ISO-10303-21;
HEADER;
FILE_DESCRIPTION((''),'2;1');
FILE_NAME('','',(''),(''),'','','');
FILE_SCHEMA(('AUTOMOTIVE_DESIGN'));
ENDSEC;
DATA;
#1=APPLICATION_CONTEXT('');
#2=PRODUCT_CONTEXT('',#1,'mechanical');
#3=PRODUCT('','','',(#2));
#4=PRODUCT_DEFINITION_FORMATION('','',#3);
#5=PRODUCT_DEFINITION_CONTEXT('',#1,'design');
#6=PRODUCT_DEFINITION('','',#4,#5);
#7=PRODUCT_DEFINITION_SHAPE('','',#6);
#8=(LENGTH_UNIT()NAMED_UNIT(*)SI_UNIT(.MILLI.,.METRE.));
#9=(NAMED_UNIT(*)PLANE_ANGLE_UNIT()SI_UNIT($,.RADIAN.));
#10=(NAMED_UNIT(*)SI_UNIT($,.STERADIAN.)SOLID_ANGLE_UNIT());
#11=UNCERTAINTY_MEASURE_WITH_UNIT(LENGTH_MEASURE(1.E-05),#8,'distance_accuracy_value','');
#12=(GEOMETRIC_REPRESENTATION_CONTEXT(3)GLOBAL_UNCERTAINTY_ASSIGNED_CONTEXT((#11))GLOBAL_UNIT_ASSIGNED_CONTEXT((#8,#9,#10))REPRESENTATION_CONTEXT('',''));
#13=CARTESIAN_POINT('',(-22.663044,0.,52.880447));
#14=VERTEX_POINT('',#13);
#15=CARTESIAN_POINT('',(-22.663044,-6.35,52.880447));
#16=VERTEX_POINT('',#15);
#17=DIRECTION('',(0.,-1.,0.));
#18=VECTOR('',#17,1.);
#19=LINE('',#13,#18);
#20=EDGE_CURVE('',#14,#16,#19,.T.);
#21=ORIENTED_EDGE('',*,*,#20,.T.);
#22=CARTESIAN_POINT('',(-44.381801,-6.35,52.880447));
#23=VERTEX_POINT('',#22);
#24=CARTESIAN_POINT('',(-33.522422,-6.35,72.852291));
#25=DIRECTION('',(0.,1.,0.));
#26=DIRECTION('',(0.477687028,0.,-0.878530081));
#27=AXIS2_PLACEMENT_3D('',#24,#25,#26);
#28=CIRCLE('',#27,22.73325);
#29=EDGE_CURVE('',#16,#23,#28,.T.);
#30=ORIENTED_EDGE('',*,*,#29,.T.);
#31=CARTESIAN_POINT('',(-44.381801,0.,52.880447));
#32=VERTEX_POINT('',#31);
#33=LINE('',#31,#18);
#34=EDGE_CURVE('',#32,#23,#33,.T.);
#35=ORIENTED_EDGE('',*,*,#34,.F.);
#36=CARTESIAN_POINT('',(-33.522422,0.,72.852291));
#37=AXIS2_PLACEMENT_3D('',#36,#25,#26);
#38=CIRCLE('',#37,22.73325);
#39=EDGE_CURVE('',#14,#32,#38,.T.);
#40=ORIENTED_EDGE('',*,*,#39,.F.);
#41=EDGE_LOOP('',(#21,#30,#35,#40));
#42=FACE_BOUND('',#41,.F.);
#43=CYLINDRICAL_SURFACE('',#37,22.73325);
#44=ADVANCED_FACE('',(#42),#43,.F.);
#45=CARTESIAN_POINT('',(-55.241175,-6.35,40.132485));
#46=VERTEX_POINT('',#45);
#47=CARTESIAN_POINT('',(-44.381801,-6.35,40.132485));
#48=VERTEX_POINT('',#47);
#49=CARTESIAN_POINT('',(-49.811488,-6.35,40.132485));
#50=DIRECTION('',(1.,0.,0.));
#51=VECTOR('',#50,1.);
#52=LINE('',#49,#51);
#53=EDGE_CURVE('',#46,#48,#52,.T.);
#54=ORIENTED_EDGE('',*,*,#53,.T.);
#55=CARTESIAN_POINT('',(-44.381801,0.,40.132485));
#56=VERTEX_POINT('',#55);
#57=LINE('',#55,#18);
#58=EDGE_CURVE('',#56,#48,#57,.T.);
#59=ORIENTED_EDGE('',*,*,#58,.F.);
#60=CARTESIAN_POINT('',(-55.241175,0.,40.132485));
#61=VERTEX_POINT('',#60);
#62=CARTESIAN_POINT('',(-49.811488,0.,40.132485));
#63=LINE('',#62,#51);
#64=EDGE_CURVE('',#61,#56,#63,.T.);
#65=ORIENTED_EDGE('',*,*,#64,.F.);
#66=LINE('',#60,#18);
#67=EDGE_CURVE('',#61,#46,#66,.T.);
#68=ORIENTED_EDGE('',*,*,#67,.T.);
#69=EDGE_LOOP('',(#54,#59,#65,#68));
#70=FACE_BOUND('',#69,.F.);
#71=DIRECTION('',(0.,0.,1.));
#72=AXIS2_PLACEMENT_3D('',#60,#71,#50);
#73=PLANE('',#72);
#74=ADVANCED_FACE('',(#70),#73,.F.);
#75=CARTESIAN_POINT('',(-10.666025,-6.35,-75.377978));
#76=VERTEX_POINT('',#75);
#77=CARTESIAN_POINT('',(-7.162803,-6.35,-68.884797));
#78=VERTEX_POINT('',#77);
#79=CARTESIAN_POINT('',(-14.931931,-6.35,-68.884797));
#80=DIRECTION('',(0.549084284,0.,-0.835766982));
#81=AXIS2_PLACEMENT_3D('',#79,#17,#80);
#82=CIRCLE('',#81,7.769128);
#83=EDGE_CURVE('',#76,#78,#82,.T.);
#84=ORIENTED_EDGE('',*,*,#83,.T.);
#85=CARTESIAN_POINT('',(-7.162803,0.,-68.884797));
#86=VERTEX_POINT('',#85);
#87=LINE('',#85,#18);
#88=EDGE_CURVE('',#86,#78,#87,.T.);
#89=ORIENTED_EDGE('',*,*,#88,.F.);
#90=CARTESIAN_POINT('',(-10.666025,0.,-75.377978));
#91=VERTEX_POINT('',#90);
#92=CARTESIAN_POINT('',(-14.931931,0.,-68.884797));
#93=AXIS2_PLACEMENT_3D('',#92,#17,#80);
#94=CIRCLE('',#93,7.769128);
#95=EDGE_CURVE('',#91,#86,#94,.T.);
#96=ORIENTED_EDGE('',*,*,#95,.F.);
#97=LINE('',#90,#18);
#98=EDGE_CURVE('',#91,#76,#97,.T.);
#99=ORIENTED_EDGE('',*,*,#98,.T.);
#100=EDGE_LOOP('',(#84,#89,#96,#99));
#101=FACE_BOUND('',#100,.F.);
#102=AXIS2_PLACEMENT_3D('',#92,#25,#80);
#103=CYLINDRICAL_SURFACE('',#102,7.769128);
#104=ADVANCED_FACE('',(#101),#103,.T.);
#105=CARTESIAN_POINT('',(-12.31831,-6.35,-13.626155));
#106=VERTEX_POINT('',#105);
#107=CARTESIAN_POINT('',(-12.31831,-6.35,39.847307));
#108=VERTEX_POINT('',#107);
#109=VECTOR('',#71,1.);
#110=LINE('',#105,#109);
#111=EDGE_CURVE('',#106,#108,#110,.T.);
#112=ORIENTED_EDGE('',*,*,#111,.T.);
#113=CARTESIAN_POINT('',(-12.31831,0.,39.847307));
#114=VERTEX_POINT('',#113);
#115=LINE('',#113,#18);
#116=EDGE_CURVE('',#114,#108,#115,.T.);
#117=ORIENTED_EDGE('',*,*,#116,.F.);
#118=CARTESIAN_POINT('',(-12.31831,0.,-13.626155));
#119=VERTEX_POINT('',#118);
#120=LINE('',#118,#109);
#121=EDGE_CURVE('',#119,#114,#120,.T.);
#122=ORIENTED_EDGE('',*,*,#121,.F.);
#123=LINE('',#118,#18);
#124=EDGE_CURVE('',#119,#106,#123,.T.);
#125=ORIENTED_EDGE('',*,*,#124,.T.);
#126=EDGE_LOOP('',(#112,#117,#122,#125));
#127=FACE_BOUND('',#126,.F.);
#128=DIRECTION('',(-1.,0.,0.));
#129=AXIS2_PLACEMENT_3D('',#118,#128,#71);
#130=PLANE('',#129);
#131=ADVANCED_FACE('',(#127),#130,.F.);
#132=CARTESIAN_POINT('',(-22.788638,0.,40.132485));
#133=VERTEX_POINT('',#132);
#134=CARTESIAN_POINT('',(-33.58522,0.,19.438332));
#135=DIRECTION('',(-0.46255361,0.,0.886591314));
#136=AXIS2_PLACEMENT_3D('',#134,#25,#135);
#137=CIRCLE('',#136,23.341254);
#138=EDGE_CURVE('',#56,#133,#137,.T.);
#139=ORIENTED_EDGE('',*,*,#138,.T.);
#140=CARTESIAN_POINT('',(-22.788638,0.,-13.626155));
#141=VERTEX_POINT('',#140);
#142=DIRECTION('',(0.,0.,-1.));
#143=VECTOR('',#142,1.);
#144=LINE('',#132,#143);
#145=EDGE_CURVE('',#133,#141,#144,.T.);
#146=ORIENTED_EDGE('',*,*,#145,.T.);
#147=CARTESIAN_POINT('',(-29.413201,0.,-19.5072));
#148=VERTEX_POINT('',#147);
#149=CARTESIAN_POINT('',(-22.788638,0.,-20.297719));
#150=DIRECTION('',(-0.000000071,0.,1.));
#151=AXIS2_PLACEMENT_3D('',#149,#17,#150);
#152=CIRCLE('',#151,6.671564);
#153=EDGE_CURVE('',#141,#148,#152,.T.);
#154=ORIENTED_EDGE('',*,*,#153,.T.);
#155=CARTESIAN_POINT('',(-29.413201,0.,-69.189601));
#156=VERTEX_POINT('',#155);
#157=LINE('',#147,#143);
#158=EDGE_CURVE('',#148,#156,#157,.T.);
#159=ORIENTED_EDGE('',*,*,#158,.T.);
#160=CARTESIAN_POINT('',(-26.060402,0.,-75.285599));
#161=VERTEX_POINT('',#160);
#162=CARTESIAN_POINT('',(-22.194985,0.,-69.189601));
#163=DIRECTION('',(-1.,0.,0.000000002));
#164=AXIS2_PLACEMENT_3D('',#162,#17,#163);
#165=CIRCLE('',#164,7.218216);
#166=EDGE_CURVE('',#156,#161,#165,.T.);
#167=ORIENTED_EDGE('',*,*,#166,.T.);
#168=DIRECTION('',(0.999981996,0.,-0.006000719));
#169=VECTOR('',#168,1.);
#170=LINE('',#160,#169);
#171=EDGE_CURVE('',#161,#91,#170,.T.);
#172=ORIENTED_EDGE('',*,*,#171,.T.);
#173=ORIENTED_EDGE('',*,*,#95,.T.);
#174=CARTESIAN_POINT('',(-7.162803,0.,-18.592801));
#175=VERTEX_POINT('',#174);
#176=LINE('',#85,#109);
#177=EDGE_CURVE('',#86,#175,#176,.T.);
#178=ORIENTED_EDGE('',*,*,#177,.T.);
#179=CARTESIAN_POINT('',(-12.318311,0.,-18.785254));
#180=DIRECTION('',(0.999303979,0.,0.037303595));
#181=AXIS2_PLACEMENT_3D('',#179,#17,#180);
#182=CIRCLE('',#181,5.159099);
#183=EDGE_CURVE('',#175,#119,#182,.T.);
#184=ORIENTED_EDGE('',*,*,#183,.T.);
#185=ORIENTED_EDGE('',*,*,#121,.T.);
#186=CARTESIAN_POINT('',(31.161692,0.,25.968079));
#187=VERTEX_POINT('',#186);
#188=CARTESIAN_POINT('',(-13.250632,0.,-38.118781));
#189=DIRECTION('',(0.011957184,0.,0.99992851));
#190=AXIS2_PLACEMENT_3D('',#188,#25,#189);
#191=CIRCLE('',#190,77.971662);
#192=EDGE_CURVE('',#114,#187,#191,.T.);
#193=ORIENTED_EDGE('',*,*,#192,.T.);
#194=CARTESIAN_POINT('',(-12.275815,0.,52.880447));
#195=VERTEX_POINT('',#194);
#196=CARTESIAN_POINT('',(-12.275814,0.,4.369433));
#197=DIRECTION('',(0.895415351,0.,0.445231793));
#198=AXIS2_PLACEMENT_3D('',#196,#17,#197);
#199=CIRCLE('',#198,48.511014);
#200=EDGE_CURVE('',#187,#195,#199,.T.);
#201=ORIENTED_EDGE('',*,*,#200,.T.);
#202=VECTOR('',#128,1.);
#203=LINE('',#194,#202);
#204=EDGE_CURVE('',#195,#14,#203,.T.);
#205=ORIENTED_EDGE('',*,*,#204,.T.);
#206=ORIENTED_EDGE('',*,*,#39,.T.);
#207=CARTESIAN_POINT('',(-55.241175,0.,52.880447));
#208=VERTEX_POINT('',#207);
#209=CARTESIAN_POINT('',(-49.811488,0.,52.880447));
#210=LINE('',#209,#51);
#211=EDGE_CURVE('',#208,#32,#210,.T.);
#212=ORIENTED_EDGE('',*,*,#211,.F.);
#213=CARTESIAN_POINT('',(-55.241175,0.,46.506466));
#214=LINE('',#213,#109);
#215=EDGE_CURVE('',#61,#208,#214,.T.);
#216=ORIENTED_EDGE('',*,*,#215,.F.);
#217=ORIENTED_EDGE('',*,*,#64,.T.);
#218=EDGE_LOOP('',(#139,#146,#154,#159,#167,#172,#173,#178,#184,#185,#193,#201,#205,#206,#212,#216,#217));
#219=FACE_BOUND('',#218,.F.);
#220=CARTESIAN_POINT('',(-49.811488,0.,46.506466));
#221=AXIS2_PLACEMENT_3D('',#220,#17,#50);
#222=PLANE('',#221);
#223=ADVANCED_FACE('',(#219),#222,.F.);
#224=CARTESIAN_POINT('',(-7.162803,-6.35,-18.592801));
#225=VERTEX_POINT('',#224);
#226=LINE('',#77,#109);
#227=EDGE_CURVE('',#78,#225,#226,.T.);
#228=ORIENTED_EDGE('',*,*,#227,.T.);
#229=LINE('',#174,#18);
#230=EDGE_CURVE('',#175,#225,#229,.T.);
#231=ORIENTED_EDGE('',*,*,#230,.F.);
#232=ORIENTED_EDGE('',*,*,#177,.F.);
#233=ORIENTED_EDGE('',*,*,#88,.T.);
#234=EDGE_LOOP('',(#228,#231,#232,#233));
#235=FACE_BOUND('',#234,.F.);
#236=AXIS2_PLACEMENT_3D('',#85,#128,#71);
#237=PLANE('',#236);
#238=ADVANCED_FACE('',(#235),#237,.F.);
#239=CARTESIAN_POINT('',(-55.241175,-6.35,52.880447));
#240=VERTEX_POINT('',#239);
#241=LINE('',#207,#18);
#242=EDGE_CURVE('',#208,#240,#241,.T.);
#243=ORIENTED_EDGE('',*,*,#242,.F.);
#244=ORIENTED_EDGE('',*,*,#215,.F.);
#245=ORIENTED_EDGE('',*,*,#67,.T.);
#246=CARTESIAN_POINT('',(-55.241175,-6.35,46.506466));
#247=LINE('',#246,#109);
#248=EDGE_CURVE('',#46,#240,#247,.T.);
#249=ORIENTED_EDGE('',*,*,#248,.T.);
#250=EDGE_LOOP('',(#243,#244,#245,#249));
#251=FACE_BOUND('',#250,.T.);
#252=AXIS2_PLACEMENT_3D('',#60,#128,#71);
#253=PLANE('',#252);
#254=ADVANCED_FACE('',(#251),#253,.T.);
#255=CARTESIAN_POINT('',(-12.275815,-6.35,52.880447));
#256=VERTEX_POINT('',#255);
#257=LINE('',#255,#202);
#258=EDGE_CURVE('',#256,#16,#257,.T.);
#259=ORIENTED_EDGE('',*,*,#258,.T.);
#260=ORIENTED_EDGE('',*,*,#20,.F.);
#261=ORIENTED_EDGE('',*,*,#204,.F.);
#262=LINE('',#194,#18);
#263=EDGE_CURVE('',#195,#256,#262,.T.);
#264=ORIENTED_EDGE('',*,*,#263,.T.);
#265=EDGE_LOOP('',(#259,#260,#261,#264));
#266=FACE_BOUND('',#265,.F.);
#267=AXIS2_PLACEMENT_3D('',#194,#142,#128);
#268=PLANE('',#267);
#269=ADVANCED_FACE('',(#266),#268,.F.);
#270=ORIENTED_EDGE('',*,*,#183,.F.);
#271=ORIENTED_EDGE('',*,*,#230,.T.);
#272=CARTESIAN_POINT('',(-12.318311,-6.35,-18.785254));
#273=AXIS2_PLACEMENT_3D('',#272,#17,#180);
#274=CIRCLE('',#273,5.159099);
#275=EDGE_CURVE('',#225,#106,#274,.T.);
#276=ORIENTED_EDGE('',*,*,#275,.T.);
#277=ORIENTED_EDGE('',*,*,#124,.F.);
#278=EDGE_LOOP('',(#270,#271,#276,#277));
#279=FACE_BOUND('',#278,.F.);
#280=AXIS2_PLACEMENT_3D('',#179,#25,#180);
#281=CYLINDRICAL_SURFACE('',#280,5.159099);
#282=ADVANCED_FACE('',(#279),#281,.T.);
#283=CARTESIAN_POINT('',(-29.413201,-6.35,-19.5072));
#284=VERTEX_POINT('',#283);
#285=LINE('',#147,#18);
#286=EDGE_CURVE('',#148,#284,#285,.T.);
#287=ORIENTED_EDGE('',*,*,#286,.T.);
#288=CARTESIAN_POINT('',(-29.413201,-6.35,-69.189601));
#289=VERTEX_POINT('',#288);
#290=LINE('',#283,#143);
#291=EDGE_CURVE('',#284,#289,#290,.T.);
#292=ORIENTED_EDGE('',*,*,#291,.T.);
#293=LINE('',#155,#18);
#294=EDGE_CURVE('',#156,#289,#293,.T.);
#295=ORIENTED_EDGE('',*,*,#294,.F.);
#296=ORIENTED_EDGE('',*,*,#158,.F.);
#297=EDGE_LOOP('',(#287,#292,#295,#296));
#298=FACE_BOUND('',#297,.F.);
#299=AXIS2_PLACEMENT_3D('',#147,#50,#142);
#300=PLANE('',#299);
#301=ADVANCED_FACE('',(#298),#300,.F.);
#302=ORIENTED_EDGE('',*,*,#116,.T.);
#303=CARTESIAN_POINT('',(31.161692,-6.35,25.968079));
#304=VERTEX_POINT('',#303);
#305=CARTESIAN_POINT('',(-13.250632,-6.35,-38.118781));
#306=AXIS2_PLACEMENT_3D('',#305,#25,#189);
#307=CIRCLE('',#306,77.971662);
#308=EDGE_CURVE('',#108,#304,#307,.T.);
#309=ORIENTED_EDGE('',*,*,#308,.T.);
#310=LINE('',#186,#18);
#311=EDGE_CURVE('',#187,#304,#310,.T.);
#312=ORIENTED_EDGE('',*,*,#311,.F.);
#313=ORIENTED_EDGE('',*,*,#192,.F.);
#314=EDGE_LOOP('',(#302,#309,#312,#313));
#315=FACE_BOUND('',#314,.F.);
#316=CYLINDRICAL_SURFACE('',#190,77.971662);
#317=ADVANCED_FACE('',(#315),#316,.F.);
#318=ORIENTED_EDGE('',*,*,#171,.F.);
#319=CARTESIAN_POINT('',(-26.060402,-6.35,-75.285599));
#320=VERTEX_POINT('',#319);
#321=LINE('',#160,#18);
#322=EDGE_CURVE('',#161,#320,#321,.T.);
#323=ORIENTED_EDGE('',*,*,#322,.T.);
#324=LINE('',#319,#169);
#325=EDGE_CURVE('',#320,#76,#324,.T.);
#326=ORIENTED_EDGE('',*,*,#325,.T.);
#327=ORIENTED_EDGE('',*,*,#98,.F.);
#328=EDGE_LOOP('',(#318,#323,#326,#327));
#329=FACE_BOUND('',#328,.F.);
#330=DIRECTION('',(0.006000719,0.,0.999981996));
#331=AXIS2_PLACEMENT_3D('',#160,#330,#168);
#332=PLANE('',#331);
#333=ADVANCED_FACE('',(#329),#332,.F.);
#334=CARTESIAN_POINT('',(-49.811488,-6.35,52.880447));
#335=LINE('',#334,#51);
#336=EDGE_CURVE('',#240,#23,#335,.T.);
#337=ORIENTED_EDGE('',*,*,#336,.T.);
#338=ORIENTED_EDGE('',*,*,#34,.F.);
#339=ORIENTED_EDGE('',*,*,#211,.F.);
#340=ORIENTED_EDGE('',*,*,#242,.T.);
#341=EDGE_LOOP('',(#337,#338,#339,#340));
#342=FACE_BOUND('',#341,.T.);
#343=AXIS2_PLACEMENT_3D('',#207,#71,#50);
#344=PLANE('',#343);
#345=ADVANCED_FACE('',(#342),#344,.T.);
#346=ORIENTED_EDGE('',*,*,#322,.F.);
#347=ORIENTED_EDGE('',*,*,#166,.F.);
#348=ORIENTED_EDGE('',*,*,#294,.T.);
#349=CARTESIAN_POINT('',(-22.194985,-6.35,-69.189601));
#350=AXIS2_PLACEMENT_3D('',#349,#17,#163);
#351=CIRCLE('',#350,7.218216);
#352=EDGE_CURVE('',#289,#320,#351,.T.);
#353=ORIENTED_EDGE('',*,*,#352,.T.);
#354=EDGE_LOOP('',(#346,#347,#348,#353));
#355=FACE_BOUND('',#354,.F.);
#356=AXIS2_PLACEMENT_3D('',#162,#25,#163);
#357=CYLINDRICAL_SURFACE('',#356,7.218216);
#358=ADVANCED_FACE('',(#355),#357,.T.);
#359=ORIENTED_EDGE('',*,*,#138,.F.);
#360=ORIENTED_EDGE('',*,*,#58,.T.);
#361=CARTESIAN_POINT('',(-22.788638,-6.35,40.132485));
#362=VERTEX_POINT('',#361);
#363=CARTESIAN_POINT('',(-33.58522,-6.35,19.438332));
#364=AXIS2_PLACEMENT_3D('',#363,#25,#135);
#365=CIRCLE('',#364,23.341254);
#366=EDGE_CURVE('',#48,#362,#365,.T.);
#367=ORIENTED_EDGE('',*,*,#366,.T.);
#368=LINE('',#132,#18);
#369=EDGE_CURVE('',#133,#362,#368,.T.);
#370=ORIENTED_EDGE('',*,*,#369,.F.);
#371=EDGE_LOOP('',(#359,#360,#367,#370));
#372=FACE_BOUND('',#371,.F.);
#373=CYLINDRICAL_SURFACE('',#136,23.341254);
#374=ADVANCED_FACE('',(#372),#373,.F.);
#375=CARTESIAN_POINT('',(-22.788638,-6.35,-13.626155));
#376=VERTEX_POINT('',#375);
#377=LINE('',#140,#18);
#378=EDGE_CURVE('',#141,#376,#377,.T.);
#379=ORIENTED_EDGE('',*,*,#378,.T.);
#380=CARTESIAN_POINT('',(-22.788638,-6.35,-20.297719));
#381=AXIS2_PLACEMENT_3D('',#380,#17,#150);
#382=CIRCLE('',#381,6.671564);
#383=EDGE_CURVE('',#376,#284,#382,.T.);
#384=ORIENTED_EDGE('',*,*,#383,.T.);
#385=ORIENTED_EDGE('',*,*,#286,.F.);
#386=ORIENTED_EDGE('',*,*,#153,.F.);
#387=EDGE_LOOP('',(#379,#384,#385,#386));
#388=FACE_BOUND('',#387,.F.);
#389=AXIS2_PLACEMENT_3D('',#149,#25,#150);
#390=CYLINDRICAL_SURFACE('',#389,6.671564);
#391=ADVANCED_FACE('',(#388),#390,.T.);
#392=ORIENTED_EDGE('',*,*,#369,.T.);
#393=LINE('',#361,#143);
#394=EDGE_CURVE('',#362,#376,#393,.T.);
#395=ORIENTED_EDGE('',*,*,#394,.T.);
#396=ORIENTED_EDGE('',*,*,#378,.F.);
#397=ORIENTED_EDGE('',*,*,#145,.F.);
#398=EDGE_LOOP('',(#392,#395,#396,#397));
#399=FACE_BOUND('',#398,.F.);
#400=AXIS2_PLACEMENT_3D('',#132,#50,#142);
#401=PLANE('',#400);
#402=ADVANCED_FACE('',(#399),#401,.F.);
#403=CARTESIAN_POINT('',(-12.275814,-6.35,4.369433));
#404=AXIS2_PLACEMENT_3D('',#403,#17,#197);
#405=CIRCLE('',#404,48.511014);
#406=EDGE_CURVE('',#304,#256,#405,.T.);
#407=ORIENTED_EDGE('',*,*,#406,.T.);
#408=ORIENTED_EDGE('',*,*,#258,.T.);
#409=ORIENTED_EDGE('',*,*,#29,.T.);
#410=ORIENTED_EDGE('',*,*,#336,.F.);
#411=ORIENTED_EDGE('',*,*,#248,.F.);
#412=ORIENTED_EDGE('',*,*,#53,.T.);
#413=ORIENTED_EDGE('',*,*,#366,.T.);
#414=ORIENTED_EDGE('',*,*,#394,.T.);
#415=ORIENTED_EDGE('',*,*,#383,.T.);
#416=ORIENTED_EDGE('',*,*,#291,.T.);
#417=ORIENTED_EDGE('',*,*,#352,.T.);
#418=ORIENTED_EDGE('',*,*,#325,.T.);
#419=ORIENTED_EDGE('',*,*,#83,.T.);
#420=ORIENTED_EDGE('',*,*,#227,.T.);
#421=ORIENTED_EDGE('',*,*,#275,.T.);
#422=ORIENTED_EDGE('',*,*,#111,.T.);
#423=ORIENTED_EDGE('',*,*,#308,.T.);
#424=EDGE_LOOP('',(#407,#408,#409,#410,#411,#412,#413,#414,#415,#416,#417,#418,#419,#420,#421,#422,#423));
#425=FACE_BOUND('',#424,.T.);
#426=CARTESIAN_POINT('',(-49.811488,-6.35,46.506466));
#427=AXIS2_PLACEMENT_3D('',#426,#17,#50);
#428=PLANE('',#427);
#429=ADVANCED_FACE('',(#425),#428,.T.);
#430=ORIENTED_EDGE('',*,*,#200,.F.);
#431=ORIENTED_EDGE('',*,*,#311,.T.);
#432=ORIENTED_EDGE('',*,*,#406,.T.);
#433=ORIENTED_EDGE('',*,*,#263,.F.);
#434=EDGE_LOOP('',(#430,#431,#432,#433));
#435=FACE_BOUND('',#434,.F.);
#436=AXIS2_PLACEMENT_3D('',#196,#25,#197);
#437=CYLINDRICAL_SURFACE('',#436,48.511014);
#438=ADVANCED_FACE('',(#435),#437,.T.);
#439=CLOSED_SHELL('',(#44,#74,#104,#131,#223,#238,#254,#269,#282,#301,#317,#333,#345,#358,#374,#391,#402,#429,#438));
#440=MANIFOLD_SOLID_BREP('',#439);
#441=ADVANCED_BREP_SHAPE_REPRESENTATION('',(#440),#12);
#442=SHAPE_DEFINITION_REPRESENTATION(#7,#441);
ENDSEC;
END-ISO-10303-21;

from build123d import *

# Parameters (mm, degrees)
F0_W     = 10.859374
F0_H     = 12.747962
F1_DEPTH = 6.35


with BuildPart() as f1:
    # F0 (on Front) → F1 (new body)
    with BuildSketch(Plane.XZ):
        with Locations((-49.811488, 46.506466)):
            Rectangle(F0_W, F0_H)
        with BuildLine():
            ThreePointArc((-22.663044, 52.880447), (-33.522422, 50.119041), (-44.381801, 52.880447))
            Line((-44.381801, 52.880447), (-44.381801, 40.132485))
            ThreePointArc((-44.381801, 40.132485), (-33.58522, 42.779586), (-22.788638, 40.132485))
            Line((-22.788638, 40.132485), (-22.663044, 52.880447))
        make_face()
        Polygon((-12.275815, 52.880447), (-22.663044, 52.880447), (-22.788638, 40.132485), (-12.31831, 39.847307), align=None)
        Polygon((-12.31831, 39.847307), (-22.788638, 40.132485), (-22.788638, -13.626155), (-12.31831, -13.626155), align=None)
        with BuildLine():
            ThreePointArc((31.161692, 25.968079), (13.273611, 45.607102), (-12.275815, 52.880447))
            Line((-12.275815, 52.880447), (-12.31831, 39.847307))
            ThreePointArc((-12.31831, 39.847307), (10.459966, 36.160339), (31.161692, 25.968079))
        make_face()
        with BuildLine():
            Line((-12.31831, -13.626155), (-22.788638, -13.626155))
            ThreePointArc((-22.788638, -13.626155), (-27.217846, -15.308543), (-29.413201, -19.5072))
            Line((-29.413201, -19.5072), (-29.413201, -69.189601))
            ThreePointArc((-29.413201, -69.189601), (-28.519701, -72.668194), (-26.060402, -75.285599))
            Line((-26.060402, -75.285599), (-10.666025, -75.377978))
            ThreePointArc((-10.666025, -75.377978), (-8.094471, -72.573766), (-7.162803, -68.884797))
            Line((-7.162803, -68.884797), (-7.162803, -18.592801))
            ThreePointArc((-7.162803, -18.592801), (-8.738966, -15.069801), (-12.31831, -13.626155))
        make_face()
    extrude(amount=F1_DEPTH)


solid = f1.part
